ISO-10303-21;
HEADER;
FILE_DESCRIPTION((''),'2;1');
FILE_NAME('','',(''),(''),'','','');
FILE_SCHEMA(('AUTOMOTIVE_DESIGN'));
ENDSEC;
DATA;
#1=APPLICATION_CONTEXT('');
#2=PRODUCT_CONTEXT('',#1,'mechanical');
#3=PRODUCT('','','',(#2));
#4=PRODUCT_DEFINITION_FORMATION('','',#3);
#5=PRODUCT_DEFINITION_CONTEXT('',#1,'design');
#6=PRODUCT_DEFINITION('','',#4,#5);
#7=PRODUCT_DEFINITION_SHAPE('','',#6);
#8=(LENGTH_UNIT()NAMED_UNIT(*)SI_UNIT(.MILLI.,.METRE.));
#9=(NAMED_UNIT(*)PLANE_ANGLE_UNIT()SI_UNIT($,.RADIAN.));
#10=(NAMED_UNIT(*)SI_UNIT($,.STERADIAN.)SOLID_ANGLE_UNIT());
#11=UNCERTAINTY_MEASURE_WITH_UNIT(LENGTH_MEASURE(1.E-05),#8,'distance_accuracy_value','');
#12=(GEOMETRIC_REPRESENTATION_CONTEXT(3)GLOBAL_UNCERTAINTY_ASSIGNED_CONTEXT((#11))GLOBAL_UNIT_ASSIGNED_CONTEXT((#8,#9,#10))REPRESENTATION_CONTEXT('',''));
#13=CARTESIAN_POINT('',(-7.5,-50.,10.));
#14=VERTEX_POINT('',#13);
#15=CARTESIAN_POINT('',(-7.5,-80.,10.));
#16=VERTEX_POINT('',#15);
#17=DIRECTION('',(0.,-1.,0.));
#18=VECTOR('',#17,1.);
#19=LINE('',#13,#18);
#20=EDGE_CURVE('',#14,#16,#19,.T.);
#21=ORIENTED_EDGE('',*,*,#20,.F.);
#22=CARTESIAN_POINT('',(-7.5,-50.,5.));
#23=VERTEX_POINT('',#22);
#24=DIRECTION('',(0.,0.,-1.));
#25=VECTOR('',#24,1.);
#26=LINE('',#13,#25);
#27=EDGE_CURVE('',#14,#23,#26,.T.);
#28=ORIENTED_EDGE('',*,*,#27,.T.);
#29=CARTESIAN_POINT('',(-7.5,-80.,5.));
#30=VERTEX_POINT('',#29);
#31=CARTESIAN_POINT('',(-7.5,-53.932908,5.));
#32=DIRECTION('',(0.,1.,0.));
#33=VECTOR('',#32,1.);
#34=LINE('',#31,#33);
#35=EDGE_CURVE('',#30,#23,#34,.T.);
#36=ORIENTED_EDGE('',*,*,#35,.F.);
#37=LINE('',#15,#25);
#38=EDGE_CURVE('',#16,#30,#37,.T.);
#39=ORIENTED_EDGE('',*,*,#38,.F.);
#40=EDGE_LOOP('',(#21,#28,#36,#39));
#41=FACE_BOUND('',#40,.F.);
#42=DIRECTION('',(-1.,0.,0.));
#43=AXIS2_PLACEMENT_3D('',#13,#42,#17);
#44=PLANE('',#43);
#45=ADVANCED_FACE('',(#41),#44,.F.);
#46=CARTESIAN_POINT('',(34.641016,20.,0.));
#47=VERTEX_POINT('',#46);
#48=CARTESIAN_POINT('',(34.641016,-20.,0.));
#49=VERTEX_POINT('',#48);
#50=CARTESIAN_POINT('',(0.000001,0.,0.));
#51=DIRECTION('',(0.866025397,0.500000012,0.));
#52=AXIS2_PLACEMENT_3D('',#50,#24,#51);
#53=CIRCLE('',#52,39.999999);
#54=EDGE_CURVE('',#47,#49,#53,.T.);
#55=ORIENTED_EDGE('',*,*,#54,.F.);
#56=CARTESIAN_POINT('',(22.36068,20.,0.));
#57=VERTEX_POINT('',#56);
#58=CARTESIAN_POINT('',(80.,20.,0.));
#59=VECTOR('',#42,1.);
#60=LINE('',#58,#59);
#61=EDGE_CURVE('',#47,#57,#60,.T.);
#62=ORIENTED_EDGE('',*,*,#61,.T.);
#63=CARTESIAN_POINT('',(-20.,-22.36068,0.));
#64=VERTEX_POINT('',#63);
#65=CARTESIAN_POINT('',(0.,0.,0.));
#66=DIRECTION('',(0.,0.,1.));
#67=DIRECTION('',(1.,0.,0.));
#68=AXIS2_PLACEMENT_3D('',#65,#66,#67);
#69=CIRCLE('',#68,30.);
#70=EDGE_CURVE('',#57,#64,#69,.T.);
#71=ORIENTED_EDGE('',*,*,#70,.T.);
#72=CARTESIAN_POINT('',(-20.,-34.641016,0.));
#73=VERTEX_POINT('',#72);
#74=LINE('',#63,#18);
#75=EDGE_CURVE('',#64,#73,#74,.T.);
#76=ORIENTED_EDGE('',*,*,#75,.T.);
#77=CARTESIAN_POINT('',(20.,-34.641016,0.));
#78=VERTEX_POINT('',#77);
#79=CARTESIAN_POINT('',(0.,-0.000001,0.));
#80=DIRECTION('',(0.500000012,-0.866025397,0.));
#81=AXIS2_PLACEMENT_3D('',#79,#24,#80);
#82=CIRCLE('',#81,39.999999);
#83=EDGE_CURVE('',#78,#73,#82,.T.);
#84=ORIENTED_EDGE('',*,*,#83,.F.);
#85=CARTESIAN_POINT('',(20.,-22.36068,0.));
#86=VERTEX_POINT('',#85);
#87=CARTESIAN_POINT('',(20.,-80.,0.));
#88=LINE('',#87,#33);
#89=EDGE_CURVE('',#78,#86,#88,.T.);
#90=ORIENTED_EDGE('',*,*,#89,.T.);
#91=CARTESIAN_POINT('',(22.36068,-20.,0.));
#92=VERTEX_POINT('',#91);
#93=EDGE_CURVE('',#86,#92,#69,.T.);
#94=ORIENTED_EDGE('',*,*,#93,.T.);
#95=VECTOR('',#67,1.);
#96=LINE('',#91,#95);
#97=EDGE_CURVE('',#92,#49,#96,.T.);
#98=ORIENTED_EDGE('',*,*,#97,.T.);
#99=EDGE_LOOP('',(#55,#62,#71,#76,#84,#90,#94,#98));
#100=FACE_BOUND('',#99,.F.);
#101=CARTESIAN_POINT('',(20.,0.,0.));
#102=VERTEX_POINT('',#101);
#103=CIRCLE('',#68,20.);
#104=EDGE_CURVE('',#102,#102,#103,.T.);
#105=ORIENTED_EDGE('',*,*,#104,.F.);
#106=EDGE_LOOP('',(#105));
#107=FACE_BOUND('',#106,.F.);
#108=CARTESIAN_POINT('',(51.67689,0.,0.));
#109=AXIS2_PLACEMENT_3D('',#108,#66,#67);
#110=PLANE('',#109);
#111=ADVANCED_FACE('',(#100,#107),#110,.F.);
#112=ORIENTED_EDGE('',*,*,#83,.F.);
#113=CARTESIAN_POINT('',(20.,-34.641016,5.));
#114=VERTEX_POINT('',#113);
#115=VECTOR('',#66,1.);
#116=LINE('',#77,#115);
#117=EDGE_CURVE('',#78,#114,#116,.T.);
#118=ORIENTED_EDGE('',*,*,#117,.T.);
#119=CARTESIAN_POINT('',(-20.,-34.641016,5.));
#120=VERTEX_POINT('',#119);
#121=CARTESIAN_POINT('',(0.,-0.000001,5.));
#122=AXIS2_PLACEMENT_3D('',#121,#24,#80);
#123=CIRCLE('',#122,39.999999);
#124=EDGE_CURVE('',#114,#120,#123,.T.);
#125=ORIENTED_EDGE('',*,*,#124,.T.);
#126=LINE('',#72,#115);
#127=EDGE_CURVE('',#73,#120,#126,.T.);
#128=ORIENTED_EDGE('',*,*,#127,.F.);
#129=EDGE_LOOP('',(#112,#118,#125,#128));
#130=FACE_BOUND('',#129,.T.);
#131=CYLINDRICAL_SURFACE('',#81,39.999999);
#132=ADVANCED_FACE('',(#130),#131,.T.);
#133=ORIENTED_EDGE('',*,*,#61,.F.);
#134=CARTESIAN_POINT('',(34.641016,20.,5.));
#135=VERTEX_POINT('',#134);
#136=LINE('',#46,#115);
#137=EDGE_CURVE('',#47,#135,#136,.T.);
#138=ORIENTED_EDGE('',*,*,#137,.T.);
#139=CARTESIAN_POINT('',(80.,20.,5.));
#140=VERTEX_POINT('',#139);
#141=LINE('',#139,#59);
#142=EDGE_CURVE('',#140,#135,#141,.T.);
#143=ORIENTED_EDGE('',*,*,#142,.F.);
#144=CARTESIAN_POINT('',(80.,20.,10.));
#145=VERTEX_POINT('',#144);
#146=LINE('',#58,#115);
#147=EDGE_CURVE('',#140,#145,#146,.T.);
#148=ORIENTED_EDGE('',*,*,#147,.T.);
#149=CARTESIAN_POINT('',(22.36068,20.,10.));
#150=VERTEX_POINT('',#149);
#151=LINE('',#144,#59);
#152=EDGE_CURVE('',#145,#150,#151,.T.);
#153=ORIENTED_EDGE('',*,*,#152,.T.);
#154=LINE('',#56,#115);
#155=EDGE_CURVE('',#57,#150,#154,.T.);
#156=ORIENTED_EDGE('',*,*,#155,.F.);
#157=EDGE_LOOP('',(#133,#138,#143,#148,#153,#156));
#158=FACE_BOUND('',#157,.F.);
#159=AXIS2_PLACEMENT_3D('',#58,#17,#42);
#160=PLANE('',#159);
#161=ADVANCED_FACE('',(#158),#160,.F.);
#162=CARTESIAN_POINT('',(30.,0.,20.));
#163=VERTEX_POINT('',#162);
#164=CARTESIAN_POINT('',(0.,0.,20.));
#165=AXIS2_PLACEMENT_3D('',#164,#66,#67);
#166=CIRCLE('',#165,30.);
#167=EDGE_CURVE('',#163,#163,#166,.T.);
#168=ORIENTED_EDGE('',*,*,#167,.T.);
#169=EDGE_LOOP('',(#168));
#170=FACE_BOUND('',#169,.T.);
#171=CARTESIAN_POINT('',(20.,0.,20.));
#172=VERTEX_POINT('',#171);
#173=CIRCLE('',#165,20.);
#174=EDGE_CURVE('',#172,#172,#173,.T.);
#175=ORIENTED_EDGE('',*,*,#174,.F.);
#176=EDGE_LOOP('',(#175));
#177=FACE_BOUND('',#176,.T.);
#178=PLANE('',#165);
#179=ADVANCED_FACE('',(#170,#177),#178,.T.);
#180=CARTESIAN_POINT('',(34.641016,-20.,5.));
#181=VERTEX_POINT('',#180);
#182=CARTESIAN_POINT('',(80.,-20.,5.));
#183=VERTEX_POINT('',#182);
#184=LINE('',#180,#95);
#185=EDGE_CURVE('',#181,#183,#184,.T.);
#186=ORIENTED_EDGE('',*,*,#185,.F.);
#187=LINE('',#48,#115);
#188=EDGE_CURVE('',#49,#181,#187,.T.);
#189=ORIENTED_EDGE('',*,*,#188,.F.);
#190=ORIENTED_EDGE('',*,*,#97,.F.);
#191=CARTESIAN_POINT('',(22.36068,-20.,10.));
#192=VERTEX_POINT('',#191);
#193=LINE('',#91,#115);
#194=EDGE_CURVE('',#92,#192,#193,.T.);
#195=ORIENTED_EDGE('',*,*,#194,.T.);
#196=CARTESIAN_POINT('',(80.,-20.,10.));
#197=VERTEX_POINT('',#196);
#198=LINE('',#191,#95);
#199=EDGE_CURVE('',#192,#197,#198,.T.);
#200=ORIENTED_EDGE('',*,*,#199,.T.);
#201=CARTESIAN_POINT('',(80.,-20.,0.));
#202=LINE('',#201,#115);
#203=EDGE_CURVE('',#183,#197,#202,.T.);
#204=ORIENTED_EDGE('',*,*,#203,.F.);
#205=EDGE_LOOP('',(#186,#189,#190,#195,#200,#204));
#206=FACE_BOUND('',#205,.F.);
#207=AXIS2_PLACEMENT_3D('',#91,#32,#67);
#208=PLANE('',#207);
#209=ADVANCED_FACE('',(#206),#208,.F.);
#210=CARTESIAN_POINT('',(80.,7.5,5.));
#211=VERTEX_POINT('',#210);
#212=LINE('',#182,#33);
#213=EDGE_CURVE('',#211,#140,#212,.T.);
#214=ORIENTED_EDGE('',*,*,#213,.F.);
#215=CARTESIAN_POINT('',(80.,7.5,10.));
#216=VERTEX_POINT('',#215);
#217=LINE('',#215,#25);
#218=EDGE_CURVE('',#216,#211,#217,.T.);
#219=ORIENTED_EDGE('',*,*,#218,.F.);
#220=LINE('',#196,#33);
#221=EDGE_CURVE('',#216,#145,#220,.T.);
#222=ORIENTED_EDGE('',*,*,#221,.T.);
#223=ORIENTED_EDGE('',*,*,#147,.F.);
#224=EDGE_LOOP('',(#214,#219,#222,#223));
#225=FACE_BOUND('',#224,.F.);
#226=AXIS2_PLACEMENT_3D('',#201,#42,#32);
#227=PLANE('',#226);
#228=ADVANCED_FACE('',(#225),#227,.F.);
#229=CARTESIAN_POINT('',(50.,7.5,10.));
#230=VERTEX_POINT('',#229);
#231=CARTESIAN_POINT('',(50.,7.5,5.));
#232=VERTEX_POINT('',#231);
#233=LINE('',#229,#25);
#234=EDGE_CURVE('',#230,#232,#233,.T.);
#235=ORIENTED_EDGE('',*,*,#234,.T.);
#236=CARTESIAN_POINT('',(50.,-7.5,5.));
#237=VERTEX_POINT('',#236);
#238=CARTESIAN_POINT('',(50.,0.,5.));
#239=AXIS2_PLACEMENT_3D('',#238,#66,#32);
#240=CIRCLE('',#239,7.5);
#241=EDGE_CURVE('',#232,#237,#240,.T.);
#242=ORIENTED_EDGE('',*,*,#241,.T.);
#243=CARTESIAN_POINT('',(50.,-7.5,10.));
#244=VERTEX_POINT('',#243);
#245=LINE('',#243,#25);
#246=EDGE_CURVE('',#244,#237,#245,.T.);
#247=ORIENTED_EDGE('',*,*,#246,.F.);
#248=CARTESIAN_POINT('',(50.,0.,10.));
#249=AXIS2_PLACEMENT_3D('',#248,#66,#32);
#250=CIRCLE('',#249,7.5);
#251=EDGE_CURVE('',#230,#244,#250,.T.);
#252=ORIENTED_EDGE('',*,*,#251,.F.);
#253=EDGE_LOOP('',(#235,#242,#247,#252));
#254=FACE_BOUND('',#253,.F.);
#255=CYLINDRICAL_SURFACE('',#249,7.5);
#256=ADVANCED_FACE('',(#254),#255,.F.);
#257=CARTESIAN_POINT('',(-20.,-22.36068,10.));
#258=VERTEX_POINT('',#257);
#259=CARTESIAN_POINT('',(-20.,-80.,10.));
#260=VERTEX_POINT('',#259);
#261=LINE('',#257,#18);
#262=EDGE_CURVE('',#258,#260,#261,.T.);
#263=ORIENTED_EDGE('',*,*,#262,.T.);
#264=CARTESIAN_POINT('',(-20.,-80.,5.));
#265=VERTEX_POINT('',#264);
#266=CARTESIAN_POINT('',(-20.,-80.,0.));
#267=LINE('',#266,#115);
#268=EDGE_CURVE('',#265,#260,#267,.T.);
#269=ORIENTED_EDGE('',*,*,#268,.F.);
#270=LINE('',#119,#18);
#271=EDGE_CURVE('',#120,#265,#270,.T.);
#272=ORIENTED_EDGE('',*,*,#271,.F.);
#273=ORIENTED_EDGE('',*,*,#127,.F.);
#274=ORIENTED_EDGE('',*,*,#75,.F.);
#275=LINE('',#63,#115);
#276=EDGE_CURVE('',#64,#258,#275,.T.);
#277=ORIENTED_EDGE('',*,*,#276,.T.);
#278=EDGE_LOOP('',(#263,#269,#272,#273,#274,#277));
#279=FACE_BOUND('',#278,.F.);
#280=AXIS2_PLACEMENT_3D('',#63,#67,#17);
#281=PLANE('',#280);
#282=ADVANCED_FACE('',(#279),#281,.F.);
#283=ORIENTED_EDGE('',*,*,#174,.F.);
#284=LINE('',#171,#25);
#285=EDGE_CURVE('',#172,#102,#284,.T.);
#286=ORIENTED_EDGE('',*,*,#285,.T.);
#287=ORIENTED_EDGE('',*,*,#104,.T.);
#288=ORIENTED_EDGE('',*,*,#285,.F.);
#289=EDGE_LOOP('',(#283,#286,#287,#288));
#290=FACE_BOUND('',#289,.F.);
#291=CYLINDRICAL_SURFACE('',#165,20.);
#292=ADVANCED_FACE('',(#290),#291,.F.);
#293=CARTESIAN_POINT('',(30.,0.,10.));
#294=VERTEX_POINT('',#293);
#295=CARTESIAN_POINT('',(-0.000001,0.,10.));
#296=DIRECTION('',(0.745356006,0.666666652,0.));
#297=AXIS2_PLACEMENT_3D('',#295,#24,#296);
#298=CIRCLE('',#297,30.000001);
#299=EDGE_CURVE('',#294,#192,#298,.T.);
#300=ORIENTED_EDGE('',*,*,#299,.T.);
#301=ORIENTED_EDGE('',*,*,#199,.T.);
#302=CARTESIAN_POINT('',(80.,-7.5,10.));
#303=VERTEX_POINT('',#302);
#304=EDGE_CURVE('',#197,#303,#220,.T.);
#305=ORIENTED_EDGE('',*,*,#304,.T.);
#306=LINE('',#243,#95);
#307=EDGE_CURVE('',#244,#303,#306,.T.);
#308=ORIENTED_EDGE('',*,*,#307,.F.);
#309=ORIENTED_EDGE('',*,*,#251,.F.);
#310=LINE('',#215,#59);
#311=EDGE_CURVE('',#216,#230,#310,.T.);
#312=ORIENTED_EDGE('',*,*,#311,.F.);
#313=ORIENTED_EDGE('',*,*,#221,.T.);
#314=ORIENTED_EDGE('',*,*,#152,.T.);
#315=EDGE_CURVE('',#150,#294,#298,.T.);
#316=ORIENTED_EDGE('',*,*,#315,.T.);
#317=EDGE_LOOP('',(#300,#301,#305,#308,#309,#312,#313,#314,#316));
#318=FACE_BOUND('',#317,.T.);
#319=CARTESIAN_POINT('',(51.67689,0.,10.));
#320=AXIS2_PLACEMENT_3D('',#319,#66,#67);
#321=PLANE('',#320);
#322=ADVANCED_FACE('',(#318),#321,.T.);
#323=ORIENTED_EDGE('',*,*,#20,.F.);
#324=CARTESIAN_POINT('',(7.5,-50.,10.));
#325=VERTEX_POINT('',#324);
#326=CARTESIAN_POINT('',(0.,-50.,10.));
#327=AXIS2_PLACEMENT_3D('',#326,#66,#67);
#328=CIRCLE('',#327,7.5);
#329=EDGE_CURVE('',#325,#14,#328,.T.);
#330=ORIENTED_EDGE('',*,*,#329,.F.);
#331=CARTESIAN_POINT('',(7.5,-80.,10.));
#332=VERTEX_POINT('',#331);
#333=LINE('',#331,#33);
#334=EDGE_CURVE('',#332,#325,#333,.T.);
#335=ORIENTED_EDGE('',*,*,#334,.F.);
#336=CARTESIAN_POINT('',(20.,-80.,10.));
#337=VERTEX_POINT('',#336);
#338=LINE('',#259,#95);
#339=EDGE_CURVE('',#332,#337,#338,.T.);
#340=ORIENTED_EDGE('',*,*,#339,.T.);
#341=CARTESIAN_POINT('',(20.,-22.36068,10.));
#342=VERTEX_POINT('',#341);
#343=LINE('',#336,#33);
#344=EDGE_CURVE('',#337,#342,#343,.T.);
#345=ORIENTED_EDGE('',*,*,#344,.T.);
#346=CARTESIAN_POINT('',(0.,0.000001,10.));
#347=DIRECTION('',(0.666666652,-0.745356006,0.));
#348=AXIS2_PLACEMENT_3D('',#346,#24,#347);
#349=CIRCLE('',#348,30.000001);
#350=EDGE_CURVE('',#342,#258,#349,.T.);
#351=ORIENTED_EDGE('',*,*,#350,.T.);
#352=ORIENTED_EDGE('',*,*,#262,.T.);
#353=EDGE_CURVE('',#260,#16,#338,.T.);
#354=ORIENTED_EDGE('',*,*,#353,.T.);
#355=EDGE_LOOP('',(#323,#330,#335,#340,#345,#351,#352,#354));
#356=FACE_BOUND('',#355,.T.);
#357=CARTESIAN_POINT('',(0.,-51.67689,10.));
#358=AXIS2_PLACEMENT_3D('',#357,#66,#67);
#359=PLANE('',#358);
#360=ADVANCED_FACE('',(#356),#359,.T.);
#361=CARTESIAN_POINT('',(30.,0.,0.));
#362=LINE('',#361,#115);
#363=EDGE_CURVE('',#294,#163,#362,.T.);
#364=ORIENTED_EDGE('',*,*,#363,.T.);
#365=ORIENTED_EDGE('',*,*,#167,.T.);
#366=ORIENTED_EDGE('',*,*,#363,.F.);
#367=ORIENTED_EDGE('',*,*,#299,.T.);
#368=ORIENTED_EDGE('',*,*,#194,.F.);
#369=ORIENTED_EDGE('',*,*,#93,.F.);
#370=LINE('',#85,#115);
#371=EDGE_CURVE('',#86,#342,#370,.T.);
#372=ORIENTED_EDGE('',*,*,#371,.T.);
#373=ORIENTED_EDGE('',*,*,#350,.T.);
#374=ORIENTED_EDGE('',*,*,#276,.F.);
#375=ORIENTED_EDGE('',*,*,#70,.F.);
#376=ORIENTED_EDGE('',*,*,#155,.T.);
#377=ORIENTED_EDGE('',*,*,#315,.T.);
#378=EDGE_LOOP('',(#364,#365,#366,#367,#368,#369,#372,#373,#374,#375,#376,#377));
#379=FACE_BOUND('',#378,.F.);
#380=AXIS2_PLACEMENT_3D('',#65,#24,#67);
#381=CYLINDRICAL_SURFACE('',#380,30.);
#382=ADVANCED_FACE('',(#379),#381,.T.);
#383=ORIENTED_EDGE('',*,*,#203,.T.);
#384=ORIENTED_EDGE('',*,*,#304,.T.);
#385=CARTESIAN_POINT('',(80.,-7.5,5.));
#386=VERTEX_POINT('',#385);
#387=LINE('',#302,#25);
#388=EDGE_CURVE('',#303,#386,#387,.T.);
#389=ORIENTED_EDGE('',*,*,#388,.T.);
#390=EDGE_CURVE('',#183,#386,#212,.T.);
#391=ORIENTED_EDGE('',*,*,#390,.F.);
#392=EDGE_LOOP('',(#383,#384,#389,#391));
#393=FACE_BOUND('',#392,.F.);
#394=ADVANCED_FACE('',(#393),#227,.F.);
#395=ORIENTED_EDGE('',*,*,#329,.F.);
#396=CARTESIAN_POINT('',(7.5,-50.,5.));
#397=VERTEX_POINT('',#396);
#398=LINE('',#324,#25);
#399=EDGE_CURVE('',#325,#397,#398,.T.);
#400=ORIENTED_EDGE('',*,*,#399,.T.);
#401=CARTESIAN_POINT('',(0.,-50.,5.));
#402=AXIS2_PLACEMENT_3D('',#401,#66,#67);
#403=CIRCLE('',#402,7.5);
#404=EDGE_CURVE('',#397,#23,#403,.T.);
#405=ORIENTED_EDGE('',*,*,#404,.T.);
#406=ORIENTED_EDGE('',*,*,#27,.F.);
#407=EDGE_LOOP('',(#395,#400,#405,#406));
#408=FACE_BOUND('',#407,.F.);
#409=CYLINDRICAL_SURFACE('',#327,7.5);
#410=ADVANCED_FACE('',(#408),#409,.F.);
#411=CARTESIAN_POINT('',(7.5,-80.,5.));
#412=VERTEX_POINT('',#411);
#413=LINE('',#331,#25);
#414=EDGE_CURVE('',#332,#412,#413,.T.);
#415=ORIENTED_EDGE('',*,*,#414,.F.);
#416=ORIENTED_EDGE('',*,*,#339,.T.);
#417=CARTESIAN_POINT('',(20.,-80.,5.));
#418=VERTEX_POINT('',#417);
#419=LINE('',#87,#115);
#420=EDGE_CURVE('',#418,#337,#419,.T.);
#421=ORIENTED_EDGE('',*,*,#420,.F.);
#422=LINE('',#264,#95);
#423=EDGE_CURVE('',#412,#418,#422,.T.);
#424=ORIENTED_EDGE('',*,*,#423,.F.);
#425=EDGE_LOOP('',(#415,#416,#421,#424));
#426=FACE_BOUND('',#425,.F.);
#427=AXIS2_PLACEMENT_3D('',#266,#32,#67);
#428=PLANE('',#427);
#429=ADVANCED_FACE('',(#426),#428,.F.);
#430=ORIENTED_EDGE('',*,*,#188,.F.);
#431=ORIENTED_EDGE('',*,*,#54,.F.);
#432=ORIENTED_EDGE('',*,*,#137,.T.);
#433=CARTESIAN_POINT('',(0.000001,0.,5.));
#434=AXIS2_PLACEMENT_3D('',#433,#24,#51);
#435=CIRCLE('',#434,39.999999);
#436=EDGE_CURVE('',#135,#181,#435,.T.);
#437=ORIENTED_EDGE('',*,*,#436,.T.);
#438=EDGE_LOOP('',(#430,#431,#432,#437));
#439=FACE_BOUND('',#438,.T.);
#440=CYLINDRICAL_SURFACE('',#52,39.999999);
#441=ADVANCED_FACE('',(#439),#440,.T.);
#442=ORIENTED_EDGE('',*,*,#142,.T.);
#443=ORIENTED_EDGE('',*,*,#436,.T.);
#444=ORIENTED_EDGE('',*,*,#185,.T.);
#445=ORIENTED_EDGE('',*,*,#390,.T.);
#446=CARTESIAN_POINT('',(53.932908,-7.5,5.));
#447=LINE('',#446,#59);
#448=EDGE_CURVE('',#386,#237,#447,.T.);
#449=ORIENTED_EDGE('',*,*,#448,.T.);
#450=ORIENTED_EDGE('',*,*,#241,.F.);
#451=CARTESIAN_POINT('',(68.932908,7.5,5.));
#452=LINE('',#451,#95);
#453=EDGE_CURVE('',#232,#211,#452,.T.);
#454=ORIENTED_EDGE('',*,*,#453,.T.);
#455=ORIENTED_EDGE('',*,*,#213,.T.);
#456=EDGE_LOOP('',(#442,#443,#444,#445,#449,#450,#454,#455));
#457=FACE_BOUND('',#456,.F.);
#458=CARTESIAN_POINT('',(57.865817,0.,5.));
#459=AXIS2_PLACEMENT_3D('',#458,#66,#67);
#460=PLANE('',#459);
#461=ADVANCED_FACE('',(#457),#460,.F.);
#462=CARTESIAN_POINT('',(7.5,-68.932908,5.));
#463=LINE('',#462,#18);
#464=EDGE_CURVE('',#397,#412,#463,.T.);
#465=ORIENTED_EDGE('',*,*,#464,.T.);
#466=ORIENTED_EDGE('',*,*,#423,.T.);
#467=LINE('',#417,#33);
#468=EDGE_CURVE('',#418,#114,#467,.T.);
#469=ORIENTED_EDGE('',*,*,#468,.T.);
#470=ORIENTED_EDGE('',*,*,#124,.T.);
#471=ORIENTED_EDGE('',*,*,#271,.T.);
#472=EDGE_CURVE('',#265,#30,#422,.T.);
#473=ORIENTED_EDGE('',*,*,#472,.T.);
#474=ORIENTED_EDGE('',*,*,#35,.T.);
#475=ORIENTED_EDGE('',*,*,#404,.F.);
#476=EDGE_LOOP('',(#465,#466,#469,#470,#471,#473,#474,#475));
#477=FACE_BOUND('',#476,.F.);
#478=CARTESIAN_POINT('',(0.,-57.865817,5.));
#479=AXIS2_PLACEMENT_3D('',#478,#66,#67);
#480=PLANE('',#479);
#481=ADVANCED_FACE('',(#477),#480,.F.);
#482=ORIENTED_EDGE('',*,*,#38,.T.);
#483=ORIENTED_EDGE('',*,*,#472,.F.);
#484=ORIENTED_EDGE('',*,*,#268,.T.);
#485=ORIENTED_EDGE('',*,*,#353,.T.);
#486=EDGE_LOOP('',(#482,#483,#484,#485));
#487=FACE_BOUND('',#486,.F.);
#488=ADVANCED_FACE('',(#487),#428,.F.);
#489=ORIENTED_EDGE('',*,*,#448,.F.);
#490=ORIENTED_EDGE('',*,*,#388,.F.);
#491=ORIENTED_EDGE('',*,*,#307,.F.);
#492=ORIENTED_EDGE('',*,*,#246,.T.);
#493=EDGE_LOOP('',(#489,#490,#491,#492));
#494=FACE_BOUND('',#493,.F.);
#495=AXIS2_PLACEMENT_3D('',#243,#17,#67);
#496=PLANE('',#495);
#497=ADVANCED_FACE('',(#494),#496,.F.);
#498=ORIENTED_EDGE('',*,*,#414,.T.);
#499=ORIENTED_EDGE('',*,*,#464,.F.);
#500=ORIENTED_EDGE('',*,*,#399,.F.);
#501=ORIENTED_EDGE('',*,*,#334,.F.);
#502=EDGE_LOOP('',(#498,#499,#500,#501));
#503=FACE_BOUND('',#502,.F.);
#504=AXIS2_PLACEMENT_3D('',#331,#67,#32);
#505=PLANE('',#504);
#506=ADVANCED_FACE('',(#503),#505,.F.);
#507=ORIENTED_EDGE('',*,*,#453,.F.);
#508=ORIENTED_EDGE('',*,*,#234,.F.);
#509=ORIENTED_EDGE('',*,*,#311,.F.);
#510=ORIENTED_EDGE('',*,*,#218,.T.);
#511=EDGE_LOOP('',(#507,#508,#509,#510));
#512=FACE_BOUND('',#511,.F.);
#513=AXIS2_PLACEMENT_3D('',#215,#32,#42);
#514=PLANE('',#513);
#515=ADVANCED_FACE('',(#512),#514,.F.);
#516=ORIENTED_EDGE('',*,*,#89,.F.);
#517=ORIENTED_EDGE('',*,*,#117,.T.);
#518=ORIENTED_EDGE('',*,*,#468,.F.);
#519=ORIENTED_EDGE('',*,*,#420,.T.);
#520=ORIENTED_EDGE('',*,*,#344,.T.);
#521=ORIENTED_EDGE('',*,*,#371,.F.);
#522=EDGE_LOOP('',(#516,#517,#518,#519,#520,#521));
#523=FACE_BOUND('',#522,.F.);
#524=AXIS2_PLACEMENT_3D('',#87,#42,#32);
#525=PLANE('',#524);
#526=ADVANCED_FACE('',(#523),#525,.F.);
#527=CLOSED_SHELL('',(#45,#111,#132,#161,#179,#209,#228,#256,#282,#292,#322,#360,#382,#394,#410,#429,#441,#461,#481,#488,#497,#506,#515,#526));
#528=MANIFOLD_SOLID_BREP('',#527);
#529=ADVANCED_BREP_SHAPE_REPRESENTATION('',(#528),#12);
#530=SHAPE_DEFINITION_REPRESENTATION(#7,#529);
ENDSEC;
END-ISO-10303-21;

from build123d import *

# Parameters (mm, degrees)
F0_R      = 30
F1_DEPTH  = 20
F3_DEPTH  = 10
F5_DEPTH  = 25
F7_DEPTH  = 10
F9_DEPTH  = 5
F10_R     = 20
F11_DEPTH = 20


with BuildPart() as f1:
    # F0 (on Top) → F1 (new body)
    with BuildSketch(Plane.XY):
        Circle(F0_R)
    extrude(amount=F1_DEPTH)

    # F2 (on Top) → F3 (join)
    with BuildSketch(Plane.XY):
        with BuildLine():
            ThreePointArc((22.36068, 20), (30, 0), (22.36068, -20))
            Line((22.36068, -20), (80, -20))
            Line((80, -20), (80, 20))
            Line((80, 20), (22.36068, 20))
        make_face()
        with BuildLine():
            Line((20, -80), (20, -22.36068))
            ThreePointArc((20, -22.36068), (0, -30), (-20, -22.36068))
            Line((-20, -22.36068), (-20, -80))
            Line((-20, -80), (20, -80))
        make_face()
    extrude(amount=F3_DEPTH)

    # F4 (on face) → F5 (cut)
    with BuildSketch(Plane.XY.offset(10)):
        with BuildLine():
            Line((7.5, -80), (7.5, -50))
            ThreePointArc((7.5, -50), (0, -42.5), (-7.5, -50))
            Line((-7.5, -50), (-7.5, -80))
            Line((-7.5, -80), (7.5, -80))
        make_face()
    extrude(amount=-F5_DEPTH, mode=Mode.SUBTRACT)

    # F6 (on face) → F7 (cut)
    with BuildSketch(Plane.XY.offset(10)):
        with BuildLine():
            Line((80, 7.5), (50, 7.5))
            ThreePointArc((50, 7.5), (42.5, 0), (50, -7.5))
            Line((50, -7.5), (80, -7.5))
            Line((80, -7.5), (80, 7.5))
        make_face()
    extrude(amount=-F7_DEPTH, mode=Mode.SUBTRACT)

    # F8 (on Top) → F9 (cut)
    with BuildSketch(Plane.XY):
        with BuildLine():
            ThreePointArc((20, -34.641016), (0, -40), (-20, -34.641016))
            Line((-20, -34.641016), (-20, -80))
            Line((-20, -80), (20, -80))
            Line((20, -80), (20, -34.641016))
        make_face()
        with BuildLine():
            ThreePointArc((34.641016, 20), (40, 0), (34.641016, -20))
            Line((34.641016, -20), (80, -20))
            Line((80, -20), (80, 20))
            Line((80, 20), (34.641016, 20))
        make_face()
    extrude(amount=F9_DEPTH, mode=Mode.SUBTRACT)

    # F10 (on face) → F11 (cut)
    with BuildSketch(Plane.XY.offset(20)):
        Circle(F10_R)
    extrude(amount=-F11_DEPTH, mode=Mode.SUBTRACT)


solid = f1.part
